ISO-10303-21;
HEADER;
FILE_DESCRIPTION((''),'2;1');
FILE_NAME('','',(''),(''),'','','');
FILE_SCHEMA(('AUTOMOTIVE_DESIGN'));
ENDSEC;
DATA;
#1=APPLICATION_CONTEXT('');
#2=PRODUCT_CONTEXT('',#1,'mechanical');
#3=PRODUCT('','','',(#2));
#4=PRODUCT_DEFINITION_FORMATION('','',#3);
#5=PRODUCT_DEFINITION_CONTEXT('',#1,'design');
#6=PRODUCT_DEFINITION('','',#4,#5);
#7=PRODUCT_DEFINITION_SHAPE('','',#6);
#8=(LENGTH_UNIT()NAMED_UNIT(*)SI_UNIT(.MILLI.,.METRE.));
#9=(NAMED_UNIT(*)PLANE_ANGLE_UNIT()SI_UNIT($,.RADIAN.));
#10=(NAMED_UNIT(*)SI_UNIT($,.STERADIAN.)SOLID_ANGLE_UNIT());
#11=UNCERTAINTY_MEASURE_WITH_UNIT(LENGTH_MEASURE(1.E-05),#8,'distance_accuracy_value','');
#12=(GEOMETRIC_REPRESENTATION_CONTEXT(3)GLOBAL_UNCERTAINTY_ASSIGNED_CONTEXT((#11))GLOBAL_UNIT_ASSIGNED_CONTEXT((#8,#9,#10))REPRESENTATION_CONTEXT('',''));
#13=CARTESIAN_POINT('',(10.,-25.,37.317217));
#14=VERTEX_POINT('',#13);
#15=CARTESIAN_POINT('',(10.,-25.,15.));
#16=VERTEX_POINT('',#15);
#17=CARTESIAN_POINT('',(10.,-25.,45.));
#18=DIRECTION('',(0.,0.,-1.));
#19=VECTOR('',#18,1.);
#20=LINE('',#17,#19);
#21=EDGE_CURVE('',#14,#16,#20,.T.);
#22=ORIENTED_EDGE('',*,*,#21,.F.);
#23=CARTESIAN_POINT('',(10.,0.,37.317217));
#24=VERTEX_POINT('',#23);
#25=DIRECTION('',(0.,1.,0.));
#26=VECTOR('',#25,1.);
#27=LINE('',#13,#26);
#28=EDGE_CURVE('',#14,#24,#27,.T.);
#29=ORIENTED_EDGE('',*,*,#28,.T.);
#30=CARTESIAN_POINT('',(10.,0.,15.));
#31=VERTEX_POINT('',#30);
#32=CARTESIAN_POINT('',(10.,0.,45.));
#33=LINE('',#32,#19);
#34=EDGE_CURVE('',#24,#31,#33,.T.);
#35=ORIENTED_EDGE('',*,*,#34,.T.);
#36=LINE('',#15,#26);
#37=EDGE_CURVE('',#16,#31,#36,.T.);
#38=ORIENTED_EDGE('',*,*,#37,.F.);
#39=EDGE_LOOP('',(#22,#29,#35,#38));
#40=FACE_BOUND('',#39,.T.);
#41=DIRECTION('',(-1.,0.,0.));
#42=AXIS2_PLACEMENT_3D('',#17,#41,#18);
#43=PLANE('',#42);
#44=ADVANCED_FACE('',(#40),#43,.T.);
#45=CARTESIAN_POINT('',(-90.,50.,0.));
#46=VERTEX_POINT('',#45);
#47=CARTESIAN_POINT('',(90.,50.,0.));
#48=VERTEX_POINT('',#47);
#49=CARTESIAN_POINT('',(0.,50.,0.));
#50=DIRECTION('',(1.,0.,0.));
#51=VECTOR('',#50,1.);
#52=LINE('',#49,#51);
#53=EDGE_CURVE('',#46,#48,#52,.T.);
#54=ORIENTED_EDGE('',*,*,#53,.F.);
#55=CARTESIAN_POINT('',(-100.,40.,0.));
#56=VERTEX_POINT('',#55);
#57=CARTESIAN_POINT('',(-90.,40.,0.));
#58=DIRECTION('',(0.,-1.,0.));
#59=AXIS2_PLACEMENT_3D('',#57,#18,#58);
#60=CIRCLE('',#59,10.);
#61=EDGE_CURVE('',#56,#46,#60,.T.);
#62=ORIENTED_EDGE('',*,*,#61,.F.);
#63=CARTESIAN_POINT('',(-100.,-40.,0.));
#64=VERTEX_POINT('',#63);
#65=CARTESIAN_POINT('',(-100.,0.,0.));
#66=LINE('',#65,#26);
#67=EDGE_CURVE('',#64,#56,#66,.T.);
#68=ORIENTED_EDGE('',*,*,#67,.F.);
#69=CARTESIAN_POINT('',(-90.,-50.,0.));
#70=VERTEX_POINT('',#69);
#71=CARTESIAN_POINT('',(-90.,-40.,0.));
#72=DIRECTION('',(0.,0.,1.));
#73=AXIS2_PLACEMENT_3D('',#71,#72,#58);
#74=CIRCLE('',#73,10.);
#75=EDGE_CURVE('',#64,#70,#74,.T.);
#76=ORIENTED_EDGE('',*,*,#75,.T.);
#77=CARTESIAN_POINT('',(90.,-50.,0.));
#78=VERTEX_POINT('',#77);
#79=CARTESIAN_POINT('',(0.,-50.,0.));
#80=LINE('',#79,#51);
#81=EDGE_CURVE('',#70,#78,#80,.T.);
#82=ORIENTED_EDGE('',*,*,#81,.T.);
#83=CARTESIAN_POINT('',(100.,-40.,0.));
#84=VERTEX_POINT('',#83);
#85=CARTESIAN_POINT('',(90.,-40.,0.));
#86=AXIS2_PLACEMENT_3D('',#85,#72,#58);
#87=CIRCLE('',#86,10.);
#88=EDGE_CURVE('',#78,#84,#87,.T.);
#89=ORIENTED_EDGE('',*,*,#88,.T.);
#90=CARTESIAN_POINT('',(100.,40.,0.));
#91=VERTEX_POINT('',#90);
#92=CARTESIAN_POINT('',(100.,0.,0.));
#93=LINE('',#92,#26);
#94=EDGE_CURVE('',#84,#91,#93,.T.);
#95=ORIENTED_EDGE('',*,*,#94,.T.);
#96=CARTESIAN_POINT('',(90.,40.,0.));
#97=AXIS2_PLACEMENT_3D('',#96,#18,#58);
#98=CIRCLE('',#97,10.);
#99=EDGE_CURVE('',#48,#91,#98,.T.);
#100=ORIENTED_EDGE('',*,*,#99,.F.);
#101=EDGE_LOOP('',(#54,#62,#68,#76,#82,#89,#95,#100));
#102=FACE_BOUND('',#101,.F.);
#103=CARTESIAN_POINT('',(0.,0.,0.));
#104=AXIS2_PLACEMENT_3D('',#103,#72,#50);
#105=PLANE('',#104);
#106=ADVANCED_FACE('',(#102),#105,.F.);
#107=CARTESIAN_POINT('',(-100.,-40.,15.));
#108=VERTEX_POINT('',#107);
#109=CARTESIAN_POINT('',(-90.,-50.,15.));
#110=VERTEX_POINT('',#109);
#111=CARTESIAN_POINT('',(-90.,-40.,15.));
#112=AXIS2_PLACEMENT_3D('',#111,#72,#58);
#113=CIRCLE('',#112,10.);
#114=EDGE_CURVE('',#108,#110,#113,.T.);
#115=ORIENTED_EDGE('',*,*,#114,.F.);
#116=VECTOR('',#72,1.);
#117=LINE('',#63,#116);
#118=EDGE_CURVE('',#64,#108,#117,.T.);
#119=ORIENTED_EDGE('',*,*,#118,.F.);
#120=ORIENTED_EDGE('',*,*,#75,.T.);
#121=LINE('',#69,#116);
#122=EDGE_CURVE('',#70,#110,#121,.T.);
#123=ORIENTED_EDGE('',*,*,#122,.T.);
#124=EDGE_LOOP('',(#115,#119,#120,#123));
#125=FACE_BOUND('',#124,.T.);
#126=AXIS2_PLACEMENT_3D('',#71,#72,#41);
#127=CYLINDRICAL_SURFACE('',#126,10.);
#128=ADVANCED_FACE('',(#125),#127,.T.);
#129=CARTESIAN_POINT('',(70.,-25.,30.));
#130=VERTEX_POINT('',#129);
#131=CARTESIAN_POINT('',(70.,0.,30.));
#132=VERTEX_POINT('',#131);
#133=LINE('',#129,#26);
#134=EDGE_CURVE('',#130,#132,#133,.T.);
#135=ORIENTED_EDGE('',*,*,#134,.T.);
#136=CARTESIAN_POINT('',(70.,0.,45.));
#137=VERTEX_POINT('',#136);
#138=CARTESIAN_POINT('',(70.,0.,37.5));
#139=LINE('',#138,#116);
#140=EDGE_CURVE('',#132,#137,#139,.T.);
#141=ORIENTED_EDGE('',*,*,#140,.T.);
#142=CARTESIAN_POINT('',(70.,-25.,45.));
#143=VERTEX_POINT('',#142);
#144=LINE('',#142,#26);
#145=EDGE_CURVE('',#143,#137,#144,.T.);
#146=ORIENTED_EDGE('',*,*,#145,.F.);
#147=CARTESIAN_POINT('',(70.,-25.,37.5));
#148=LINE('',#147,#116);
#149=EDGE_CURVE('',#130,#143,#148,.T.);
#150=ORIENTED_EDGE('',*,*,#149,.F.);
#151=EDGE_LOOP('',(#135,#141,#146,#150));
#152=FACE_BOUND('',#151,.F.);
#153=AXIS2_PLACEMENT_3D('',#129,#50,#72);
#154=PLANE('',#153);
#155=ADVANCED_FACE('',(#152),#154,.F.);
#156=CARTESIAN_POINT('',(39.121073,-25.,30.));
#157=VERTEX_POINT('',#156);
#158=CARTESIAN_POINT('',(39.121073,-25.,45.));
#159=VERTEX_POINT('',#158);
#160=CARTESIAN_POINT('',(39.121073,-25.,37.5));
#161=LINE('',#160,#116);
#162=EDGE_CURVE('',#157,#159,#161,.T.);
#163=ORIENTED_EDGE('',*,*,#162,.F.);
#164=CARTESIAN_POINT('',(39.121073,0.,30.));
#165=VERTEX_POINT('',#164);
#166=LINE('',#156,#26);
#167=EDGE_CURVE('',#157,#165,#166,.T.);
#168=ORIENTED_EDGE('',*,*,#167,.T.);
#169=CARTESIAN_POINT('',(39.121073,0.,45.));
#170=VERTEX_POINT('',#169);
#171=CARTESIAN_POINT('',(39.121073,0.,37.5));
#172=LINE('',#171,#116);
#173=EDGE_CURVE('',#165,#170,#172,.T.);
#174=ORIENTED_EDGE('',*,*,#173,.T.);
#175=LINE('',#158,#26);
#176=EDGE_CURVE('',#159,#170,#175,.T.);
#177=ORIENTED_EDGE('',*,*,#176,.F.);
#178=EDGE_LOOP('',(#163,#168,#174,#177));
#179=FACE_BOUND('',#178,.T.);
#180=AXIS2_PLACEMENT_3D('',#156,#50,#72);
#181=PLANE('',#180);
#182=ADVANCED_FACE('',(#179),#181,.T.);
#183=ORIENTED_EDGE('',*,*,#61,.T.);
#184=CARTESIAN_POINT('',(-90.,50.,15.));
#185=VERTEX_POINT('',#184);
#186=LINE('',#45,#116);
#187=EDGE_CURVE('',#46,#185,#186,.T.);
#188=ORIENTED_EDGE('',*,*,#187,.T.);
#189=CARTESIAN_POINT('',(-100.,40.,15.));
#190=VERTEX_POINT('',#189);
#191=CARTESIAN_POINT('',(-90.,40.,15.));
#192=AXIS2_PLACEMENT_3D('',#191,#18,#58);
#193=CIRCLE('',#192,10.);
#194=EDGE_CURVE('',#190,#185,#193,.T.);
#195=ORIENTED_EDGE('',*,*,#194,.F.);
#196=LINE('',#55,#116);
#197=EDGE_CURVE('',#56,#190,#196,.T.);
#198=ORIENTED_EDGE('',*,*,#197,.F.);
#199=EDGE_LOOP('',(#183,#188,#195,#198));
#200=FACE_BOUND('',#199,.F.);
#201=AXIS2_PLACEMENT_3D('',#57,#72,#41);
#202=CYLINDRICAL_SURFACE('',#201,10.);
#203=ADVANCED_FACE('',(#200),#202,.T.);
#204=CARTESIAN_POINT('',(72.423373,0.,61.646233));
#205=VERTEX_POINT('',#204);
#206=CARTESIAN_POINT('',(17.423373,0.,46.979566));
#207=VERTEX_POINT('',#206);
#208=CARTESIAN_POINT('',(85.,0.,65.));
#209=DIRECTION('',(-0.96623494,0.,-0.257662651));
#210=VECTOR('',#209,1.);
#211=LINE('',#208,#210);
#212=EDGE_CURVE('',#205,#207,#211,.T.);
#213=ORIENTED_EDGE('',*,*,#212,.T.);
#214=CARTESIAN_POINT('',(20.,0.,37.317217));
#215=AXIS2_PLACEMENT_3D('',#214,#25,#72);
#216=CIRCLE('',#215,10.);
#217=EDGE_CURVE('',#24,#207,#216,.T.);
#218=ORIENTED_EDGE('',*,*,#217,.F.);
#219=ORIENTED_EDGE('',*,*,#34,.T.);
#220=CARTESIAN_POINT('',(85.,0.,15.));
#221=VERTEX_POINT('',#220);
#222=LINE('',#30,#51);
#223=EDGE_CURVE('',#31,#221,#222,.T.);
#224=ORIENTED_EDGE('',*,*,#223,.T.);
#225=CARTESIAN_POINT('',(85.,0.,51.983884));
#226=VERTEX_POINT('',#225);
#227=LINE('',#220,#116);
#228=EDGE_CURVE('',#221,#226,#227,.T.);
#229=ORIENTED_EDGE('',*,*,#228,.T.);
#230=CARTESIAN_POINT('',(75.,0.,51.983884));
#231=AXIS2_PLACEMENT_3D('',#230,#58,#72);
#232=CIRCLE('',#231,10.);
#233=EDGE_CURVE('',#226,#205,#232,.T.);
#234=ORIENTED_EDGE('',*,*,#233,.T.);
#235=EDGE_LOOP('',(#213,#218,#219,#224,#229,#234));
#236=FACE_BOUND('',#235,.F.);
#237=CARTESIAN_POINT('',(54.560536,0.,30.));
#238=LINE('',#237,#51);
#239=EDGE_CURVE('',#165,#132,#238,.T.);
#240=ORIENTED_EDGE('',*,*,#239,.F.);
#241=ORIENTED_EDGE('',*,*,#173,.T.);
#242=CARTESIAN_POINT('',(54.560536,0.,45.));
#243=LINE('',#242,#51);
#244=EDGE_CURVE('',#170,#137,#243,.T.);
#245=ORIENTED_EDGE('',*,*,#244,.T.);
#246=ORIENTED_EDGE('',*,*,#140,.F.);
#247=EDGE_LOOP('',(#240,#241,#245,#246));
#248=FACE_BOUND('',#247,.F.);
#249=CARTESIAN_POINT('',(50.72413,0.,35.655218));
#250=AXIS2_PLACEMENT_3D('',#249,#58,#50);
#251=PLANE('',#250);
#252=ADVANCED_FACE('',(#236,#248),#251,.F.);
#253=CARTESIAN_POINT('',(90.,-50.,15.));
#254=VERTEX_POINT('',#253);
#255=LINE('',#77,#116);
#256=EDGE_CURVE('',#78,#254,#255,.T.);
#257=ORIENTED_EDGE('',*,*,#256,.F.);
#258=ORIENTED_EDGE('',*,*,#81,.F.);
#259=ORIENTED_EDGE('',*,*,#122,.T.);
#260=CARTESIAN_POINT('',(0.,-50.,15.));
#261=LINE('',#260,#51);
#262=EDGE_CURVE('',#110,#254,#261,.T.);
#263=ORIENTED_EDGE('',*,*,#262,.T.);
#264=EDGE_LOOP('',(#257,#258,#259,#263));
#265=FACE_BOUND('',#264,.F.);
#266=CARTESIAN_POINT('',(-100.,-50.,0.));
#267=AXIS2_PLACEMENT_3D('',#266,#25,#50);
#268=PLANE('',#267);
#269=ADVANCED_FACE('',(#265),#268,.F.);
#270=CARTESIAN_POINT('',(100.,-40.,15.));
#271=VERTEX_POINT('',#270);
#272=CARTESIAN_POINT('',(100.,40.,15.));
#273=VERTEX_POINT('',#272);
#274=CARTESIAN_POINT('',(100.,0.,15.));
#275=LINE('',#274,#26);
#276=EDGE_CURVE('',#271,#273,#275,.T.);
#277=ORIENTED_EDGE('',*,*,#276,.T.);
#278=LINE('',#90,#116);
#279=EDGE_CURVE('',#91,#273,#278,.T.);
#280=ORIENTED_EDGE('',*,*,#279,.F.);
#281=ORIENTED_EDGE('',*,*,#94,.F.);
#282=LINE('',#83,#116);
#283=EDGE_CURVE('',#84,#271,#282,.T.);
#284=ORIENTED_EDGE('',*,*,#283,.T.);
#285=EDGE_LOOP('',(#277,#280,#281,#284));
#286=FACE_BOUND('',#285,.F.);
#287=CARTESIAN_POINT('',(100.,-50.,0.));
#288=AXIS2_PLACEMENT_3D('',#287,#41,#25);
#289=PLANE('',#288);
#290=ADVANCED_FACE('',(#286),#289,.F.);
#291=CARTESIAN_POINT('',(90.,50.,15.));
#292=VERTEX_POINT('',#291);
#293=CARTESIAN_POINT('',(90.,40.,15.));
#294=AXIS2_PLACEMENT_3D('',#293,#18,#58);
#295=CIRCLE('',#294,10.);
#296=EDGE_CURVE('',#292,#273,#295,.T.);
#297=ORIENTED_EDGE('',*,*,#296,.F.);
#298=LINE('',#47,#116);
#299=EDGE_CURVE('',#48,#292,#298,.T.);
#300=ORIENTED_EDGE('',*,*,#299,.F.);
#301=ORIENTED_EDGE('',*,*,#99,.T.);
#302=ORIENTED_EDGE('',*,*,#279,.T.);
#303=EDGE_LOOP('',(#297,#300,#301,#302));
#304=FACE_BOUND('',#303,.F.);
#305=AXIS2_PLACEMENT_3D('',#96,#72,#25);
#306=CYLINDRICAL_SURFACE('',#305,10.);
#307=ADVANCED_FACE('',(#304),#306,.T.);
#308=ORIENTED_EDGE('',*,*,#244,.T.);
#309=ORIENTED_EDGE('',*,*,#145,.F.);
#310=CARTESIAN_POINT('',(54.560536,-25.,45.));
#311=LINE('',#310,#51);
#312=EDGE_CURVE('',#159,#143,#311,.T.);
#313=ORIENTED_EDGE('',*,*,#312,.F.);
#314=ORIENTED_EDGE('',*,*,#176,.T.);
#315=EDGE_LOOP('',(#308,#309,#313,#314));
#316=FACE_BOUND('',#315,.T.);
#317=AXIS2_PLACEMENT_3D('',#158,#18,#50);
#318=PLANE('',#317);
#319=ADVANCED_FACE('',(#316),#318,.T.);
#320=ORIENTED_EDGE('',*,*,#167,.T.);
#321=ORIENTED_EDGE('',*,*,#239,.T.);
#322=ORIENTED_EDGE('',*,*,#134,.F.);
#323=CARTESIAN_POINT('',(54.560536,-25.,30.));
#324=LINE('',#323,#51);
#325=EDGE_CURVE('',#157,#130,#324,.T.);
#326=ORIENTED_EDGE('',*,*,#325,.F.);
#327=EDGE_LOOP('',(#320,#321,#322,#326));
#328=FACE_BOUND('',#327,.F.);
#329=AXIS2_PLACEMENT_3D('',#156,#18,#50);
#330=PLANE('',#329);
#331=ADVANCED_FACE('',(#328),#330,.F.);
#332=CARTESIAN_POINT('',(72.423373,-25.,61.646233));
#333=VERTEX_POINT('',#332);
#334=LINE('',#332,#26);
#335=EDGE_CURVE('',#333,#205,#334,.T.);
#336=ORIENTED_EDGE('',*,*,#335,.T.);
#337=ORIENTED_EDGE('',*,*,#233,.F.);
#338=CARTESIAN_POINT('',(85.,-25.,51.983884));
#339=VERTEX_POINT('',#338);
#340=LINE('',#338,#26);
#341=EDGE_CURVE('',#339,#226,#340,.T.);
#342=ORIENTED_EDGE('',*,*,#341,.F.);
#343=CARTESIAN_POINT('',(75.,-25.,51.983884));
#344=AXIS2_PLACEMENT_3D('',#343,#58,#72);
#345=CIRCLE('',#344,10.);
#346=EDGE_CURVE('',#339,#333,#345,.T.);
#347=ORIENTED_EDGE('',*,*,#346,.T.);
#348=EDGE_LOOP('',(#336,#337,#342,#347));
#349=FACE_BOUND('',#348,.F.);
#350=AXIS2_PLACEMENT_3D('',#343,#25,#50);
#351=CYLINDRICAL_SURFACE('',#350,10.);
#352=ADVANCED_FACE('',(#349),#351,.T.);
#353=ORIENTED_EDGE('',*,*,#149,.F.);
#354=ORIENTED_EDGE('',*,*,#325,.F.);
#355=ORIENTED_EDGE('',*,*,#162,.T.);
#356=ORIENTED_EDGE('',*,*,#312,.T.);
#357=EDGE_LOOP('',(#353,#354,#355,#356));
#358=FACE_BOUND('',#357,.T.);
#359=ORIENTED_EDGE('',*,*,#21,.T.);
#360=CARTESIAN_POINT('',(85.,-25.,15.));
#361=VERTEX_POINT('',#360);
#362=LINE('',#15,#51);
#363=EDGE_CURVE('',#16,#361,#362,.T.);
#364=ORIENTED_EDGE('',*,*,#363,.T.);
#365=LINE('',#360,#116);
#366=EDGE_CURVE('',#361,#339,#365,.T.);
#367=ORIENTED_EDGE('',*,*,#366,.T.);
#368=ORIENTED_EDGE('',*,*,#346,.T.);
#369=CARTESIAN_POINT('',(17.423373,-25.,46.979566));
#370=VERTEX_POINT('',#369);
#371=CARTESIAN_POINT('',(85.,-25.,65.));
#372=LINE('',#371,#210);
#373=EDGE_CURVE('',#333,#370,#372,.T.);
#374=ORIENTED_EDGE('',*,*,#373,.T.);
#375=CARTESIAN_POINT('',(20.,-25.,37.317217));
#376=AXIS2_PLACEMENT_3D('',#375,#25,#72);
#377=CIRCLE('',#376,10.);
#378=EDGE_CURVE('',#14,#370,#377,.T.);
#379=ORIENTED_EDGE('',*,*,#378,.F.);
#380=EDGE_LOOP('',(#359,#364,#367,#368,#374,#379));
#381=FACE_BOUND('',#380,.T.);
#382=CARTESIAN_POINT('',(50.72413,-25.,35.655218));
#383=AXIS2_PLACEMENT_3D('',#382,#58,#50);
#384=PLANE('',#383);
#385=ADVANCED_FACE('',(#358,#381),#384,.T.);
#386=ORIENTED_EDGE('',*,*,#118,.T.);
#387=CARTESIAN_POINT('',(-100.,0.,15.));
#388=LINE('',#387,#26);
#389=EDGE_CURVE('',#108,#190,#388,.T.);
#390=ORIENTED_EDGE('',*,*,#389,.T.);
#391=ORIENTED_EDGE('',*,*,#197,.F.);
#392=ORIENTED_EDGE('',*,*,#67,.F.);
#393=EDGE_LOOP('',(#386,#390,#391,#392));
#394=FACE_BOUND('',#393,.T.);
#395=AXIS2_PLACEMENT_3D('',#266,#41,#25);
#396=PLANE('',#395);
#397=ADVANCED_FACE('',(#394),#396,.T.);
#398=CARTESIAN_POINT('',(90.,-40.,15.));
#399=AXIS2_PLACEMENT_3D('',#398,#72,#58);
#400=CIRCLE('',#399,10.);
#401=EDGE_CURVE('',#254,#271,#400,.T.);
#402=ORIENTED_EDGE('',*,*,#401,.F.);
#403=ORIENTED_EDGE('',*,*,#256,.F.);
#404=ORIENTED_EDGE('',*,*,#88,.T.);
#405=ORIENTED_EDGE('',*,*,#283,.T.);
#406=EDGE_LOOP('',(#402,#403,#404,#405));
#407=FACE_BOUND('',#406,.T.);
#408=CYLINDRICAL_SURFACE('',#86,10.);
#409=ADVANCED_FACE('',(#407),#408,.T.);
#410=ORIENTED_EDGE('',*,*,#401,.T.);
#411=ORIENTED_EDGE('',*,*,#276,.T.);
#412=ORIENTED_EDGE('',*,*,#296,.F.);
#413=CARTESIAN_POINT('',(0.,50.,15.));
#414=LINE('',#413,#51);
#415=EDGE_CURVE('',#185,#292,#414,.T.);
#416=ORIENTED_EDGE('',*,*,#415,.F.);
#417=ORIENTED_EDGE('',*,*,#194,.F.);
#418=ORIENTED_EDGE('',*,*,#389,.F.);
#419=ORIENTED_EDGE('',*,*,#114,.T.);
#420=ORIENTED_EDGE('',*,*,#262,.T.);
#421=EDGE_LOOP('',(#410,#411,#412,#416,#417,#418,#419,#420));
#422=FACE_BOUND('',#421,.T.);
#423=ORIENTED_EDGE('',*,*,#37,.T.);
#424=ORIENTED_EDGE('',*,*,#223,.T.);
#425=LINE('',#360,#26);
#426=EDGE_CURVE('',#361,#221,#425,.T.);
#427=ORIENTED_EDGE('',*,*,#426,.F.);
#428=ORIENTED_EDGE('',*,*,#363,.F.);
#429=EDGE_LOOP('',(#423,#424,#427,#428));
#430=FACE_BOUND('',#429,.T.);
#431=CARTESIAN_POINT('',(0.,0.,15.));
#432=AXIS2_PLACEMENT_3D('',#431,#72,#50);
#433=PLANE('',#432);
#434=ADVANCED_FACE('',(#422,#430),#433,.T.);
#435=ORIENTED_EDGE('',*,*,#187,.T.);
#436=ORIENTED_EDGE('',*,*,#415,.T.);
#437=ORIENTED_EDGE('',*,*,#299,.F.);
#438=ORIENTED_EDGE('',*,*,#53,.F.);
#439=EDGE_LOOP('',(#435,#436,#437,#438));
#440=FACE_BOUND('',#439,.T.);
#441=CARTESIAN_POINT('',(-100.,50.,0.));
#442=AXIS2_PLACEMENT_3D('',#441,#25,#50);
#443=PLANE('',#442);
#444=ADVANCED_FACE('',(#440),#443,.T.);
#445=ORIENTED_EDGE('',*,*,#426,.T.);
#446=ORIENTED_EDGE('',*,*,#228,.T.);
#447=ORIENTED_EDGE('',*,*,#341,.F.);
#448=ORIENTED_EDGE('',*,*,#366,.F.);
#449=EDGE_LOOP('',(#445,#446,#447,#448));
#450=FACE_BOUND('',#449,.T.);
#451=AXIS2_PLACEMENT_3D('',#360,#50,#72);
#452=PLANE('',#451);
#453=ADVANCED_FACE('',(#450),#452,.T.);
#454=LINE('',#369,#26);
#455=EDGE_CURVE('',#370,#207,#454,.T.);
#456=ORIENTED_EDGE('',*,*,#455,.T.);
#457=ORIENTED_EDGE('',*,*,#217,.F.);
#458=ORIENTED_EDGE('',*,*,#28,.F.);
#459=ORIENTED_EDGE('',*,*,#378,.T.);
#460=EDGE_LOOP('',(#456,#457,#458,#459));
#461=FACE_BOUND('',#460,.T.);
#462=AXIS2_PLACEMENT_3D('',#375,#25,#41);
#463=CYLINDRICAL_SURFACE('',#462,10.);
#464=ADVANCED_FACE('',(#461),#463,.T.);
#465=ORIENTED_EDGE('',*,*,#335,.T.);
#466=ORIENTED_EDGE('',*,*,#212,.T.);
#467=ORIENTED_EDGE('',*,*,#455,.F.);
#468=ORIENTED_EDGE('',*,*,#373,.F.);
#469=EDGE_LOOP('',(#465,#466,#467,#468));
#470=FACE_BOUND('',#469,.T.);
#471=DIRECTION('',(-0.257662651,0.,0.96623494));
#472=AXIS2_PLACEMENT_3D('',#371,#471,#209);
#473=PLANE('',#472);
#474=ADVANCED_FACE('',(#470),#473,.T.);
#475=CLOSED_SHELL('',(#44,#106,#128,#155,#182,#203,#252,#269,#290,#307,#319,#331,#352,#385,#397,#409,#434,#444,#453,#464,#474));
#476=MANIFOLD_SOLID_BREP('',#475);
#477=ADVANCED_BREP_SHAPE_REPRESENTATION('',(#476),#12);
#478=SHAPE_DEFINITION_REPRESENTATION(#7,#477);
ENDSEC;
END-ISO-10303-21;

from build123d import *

# Parameters (mm, degrees)
F0_W     = 200
F0_H     = 100
F1_DEPTH = 15
F3_W     = 30.8789272606
F3_H     = 15
F4_DEPTH = 25
F5_R     = 10


with BuildPart() as f1:
    # F0 (on Top) → F1 (new body)
    with BuildSketch(Plane.XY):
        Rectangle(F0_W, F0_H)
    extrude(amount=F1_DEPTH)

    # F3 (on offset) → F4 (join)
    with BuildSketch(Plane.XZ.offset(25)):
        Polygon((10, 15), (85, 15), (85, 65), (10, 45), align=None)
        with Locations((54.5605363697, 37.5)):
            Rectangle(F3_W, F3_H, mode=Mode.SUBTRACT)
    extrude(amount=-F4_DEPTH)

    # F5
    f5_edges = [f1.edges().sort_by_distance(p)[0] for p in [
        (-100, 50, 7.5),
        (-100, -50, 7.5),
        (100, -50, 7.5),
        (100, 50, 7.5),
        (10, -12.5, 45),
        (85, -12.5, 65),
    ]]
    fillet(f5_edges, radius=F5_R)


solid = f1.part
